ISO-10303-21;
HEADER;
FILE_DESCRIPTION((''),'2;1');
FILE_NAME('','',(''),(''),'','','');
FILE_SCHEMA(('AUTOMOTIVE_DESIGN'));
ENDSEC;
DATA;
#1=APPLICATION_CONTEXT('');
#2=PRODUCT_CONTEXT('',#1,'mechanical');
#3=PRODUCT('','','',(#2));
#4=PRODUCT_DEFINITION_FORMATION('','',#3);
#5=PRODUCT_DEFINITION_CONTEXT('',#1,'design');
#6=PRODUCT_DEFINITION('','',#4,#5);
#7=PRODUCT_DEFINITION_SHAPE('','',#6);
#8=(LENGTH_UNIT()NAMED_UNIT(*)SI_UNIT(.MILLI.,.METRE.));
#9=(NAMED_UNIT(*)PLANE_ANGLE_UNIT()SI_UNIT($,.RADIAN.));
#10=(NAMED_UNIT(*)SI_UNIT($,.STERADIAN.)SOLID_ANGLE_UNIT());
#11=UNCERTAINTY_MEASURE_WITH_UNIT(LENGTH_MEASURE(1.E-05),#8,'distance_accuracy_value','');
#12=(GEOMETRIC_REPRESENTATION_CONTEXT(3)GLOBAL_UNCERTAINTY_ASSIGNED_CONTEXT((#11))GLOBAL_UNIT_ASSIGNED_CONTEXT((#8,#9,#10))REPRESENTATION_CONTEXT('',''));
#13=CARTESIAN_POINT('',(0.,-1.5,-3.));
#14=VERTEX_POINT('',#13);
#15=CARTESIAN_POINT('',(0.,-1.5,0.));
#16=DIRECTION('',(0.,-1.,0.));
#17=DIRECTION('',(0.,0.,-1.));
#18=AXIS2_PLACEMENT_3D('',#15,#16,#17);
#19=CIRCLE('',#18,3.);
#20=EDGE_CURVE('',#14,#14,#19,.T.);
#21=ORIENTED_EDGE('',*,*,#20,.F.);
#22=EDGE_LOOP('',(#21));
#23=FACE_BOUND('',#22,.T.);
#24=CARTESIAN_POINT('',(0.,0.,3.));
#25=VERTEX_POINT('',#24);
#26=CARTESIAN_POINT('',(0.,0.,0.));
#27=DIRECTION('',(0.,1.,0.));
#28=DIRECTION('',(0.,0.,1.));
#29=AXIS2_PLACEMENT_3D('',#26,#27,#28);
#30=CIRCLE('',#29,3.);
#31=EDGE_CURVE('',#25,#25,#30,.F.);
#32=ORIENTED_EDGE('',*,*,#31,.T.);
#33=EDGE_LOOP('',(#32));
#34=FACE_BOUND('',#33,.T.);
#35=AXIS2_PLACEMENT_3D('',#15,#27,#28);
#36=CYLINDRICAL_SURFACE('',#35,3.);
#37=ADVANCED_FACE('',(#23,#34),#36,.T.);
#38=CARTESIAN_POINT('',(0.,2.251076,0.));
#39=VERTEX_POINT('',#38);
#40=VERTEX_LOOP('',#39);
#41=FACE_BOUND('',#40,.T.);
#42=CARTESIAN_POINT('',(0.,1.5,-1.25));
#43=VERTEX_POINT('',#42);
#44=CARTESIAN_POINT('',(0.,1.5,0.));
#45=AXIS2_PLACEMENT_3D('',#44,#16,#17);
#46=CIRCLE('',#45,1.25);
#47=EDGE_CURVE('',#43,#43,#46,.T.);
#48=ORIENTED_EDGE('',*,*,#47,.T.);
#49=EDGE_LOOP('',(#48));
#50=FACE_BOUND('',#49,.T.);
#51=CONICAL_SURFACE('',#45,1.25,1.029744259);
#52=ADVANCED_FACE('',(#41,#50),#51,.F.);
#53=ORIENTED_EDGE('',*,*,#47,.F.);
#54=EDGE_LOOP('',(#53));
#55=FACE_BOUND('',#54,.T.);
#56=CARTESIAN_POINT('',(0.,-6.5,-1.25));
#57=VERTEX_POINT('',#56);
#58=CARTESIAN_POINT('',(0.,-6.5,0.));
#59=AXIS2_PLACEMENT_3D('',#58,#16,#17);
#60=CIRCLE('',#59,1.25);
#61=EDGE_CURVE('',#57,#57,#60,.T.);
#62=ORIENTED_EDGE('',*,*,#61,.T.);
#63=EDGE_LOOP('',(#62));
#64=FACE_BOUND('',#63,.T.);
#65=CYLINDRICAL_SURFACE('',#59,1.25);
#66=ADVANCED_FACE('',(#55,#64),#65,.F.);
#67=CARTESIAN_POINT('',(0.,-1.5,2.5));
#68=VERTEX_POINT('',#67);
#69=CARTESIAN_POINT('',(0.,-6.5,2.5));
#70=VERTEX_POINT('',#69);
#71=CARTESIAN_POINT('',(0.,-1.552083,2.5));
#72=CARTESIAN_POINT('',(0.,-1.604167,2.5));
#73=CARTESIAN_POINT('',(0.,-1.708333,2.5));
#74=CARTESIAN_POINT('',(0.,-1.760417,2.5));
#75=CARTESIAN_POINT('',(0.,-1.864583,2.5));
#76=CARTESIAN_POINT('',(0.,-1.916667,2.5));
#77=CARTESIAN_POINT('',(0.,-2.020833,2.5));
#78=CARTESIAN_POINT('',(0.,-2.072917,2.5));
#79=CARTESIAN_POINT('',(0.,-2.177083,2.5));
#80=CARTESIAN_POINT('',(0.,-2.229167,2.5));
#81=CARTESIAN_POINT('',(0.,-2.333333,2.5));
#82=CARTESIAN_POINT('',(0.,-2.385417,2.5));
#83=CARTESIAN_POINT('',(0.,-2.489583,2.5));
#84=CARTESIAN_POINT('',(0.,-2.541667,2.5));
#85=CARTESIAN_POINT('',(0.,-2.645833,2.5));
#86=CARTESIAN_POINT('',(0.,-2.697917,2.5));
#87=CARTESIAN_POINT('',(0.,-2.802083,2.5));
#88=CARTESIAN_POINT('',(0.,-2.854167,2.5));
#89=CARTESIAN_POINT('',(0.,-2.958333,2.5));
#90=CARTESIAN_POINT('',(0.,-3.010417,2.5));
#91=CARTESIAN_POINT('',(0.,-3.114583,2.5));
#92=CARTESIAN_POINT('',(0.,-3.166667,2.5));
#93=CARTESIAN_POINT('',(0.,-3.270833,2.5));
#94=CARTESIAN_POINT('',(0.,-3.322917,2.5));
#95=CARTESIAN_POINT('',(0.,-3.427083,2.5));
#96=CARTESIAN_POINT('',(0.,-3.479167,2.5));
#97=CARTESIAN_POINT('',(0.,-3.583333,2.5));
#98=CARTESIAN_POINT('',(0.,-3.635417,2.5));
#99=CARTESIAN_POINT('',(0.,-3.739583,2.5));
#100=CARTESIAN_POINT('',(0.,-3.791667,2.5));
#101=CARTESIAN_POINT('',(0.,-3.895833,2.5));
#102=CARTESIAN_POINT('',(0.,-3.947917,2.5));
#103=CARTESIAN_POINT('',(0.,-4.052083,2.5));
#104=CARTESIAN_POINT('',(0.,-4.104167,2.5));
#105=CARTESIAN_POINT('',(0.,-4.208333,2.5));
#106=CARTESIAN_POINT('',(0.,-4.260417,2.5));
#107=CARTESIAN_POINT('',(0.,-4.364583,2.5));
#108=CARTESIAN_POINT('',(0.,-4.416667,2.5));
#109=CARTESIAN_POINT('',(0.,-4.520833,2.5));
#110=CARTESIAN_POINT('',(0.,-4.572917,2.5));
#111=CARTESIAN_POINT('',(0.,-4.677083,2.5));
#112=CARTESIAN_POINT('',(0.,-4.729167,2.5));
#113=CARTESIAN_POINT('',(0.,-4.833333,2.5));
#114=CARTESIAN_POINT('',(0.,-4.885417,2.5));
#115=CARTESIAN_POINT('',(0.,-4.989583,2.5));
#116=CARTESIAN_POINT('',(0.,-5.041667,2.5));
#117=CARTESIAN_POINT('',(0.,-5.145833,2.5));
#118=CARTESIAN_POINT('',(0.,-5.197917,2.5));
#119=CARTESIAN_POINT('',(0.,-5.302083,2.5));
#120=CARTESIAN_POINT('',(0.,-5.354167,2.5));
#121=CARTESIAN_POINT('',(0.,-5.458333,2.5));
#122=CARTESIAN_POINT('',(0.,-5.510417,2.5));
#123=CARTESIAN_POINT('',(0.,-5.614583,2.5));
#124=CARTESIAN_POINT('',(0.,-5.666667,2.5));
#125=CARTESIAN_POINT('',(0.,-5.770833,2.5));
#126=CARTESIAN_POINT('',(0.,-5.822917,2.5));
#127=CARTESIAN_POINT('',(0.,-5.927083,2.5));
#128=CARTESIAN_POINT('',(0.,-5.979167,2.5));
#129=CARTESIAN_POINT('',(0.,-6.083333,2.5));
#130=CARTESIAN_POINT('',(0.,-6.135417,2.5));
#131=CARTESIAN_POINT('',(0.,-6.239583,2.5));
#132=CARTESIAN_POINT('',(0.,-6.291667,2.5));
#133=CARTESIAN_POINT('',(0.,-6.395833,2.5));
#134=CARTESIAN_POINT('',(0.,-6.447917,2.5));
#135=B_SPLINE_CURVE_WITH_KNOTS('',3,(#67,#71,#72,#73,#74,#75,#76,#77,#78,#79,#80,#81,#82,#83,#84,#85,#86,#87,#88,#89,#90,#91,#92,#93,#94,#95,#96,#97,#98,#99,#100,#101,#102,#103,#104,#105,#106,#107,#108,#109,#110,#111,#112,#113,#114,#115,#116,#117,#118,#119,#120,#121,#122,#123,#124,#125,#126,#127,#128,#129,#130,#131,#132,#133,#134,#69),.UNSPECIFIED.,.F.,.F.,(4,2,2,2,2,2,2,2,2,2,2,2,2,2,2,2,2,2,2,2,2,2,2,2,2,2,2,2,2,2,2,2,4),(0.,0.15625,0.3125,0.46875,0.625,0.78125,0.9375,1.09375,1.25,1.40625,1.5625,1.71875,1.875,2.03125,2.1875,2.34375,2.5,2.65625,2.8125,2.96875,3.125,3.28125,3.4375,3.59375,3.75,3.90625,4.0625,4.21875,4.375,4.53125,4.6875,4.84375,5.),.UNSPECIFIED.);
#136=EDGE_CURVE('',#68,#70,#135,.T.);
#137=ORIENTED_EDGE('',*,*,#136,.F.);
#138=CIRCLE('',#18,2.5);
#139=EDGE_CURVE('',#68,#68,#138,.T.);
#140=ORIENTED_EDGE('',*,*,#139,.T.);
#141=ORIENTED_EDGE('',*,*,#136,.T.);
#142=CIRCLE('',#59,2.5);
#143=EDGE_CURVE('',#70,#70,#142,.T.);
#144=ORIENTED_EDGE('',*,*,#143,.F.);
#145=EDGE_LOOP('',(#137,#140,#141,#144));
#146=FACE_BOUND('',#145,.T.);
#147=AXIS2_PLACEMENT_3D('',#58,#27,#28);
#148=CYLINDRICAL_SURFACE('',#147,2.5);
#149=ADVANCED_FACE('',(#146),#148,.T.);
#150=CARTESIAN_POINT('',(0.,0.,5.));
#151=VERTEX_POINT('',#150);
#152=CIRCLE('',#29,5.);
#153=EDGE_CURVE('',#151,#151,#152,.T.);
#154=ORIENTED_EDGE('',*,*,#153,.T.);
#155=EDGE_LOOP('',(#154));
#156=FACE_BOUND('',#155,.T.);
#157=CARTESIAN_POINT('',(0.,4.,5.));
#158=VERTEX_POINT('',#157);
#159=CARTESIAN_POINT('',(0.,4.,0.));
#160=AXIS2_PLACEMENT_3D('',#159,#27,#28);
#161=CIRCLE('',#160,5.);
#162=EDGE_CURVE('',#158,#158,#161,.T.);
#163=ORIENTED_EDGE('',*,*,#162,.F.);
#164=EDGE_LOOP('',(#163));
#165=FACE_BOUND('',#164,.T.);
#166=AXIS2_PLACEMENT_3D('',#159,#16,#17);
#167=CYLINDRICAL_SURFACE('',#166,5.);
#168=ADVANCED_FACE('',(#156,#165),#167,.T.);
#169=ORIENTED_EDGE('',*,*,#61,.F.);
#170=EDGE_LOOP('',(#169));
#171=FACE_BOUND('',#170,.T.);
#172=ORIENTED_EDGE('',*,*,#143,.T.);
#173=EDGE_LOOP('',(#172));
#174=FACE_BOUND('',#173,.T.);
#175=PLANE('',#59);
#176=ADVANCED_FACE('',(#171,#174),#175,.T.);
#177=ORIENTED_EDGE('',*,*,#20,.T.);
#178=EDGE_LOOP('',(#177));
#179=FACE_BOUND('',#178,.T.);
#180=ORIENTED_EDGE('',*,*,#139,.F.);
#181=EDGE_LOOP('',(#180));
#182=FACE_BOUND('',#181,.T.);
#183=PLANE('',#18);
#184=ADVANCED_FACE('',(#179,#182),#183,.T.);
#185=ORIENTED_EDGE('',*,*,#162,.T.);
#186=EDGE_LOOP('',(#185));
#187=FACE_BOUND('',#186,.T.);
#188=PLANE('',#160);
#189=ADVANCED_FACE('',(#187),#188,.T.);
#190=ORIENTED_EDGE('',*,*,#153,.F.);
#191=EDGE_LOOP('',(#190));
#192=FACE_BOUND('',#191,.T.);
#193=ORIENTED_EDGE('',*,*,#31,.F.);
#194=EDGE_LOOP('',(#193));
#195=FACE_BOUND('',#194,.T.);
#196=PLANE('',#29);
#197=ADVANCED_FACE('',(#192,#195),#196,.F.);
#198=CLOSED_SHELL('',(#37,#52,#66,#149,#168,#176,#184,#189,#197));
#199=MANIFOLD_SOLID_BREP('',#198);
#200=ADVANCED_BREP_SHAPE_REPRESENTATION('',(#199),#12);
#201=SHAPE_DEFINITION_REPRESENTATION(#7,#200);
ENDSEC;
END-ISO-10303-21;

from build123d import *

# Parameters (mm, degrees)
ESBO_O1_R                = 5
RESSALTO_EXTRUS_O1_DEPTH = 4
ESBO_O4_R                = 2.5
RESSALTO_EXTRUS_O2_DEPTH = 6.5
ESBO_O5_R                = 3
RESSALTO_EXTRUS_O4_DEPTH = 1.5


with BuildPart() as part:
    # Esboço1 → Ressalto-extrusão1 (new body)
    with BuildSketch(Plane(origin=(0, 0, 0), x_dir=(1, 0, 0), z_dir=(0, 1, 0))):
        with Locations(Location((0, 0, 0), (0, 0, 270))):
            Circle(ESBO_O1_R)
    extrude(amount=RESSALTO_EXTRUS_O1_DEPTH)

    # Esboço4 → Ressalto-extrusão2 (add)
    with BuildSketch(Plane(origin=(0, 0, 0), x_dir=(-1, 0, 0), z_dir=(0, -1, 0))):
        with Locations(Location((0, 0, 0), (0, 0, 270))):
            Circle(ESBO_O4_R)
    extrude(amount=RESSALTO_EXTRUS_O2_DEPTH)

    # Esboço5 → Ressalto-extrusão4 (add)
    with BuildSketch(Plane.XZ):
        with Locations(Location((0, 0, 0), (0, 0, 90))):
            Circle(ESBO_O5_R)
    extrude(amount=RESSALTO_EXTRUS_O4_DEPTH)

    # Esboço7 → Broca de rosquear para tarraxa de M31 (revolve, cut)
    with BuildSketch(Plane(origin=(0, -6.5, 0), x_dir=(0, 0, -1), z_dir=(1, 0, 0))):
        Polygon((0, 0), (0, 8.751075774), (1.25, 8), (1.25, 0), align=None)
    revolve(axis=Axis((0, -12.85, 0), (0, 1, 0)), mode=Mode.SUBTRACT)


solid = part.part
